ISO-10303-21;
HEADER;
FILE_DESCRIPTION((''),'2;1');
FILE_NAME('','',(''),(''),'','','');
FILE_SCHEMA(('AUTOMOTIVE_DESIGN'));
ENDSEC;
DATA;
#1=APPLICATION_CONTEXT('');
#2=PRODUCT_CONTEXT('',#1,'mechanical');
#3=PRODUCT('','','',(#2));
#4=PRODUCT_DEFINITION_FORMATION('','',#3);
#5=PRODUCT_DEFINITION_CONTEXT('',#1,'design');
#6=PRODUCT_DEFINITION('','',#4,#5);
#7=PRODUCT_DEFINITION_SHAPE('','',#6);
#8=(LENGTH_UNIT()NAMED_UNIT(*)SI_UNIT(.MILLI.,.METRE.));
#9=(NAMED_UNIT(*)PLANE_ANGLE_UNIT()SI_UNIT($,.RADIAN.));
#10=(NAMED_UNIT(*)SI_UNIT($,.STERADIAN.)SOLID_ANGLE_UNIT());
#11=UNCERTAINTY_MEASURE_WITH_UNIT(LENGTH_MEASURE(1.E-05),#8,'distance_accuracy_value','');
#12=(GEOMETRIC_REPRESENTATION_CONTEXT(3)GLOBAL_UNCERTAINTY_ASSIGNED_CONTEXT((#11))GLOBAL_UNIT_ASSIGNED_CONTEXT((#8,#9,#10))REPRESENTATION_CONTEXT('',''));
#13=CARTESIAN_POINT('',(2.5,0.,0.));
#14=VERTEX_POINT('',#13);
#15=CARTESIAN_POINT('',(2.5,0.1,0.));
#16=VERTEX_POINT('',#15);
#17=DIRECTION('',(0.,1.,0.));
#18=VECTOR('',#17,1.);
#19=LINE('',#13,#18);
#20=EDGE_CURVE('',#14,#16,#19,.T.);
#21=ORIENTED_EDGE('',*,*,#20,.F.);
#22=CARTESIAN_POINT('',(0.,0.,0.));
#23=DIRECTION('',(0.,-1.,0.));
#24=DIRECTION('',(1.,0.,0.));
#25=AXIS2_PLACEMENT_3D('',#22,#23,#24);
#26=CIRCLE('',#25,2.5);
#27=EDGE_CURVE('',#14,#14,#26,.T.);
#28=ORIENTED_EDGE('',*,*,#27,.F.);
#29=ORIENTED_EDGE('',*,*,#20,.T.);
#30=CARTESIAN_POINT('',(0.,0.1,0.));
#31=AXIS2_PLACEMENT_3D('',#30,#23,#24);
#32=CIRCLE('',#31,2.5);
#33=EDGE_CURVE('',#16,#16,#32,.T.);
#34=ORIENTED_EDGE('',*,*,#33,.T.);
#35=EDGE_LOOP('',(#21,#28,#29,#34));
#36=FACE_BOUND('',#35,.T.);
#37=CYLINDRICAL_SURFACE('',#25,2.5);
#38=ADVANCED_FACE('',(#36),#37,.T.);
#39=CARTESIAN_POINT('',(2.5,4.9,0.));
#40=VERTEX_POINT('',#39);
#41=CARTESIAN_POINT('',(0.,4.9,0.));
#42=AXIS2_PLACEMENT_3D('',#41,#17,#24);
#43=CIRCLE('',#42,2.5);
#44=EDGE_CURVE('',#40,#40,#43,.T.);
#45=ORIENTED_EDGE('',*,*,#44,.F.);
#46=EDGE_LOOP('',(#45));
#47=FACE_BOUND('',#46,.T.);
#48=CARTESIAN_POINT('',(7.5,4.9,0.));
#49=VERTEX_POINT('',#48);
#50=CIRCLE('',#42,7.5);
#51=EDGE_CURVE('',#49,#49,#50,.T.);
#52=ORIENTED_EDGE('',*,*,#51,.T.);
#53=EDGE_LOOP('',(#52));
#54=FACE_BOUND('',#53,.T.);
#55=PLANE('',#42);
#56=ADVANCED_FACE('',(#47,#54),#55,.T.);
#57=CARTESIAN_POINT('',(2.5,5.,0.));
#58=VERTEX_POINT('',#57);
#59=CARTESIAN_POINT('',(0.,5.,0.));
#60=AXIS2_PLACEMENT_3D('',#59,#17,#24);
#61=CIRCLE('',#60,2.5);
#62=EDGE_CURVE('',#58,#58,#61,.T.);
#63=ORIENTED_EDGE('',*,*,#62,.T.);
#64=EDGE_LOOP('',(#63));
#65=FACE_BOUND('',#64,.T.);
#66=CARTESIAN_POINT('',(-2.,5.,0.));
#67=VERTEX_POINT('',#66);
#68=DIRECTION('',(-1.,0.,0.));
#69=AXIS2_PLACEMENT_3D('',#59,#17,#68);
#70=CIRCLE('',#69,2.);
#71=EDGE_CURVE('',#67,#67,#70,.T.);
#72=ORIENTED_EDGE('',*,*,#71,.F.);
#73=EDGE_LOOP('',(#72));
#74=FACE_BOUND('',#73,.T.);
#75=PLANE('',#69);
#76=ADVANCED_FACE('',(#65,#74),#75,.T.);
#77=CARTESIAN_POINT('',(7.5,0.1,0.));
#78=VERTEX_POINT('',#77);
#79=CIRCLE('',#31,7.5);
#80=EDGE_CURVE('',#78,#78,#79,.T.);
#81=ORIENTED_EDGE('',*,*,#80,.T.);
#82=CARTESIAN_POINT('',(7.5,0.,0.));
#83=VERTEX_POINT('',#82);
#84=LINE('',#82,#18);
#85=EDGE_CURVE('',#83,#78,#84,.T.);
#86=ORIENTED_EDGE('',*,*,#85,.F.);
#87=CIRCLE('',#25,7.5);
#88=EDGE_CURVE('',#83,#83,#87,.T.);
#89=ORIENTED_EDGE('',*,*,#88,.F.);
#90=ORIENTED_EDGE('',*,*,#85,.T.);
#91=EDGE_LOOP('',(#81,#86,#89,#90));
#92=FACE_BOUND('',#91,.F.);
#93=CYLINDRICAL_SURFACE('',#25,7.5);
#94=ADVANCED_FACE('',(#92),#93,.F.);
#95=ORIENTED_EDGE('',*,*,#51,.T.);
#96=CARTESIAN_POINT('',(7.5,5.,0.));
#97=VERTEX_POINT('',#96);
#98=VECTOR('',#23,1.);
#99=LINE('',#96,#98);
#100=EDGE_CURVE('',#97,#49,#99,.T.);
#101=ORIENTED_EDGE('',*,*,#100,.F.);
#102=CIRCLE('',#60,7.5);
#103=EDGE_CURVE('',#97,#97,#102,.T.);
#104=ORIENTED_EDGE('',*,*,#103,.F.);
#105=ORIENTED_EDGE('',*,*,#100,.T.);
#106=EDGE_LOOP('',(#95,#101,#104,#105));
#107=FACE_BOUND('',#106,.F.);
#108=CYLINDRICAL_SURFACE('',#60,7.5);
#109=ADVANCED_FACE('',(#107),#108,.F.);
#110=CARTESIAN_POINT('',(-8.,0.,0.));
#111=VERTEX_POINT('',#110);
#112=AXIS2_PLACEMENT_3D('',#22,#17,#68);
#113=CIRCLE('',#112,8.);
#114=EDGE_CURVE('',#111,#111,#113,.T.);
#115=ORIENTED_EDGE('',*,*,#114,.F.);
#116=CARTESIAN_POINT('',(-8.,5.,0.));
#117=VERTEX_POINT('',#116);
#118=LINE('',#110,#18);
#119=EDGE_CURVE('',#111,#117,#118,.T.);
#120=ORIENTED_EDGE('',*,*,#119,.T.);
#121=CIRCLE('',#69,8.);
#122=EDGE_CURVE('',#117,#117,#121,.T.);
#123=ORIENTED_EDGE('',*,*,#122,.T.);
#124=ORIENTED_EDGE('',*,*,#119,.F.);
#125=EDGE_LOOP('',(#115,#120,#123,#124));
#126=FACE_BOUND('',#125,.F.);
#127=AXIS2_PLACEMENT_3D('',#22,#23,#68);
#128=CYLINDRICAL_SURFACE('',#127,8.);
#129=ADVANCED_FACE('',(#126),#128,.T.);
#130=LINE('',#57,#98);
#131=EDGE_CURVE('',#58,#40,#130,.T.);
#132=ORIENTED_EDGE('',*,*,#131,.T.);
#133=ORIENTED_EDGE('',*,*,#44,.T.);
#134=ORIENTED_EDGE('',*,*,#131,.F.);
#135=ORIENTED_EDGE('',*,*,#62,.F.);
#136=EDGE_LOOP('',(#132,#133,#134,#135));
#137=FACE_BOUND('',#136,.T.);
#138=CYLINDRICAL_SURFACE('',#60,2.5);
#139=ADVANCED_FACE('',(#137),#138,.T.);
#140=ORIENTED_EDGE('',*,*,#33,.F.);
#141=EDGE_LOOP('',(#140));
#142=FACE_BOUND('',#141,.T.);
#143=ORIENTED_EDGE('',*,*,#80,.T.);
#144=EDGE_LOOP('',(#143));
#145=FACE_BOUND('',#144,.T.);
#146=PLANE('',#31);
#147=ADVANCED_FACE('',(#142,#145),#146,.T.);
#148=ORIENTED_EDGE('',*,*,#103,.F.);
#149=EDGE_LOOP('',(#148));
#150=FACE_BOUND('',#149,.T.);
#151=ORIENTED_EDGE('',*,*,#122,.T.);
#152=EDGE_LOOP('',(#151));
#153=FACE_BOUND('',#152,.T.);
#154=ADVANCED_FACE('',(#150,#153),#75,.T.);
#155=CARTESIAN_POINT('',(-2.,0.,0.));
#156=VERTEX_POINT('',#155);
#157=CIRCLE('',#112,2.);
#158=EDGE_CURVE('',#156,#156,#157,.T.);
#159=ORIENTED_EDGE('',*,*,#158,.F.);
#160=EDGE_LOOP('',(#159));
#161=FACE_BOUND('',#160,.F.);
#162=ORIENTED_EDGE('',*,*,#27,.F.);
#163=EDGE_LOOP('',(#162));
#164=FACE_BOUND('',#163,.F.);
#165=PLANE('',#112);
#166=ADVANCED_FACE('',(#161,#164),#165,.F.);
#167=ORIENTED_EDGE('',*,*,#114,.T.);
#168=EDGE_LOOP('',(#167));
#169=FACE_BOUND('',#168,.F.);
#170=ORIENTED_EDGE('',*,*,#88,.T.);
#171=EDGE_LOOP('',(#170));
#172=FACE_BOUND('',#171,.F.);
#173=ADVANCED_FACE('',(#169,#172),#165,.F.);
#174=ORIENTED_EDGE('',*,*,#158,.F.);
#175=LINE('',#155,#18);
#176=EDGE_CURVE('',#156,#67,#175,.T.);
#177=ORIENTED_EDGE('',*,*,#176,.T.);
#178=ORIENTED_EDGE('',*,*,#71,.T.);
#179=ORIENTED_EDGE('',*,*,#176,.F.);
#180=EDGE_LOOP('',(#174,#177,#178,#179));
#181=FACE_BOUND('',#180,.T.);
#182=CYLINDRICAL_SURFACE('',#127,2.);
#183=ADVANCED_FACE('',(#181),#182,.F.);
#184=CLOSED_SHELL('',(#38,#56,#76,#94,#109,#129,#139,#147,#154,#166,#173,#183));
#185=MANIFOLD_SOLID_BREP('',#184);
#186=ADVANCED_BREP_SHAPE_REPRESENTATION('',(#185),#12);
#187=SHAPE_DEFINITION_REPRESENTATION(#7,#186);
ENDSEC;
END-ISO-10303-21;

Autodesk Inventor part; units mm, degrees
ref_plane "YZ Plane" through (0, 0, 0) normal (1, 0, 0) x (0, 1, 0)
ref_plane "XZ Plane" through (0, 0, 0) normal (0, 1, 0) x (-1, 0, 0)
ref_plane "XY Plane" through (0, 0, 0) normal (0, 0, 1) x (1, 0, 0)
sketch "スケッチ1" plane through (0, 0, 0) normal (0, 1, 0) x (-1, 0, 0)
  circle A0 centre (0, 0) radius 2
  circle A1 centre (0, 0) radius 8
  dimension "d0" = 4
  dimension "d1" = 16
extrude "押し出し1" add sketch "スケッチ1" along normal blind 5
sketch "スケッチ2" plane through (0, 5, 0) normal (0, 1, 0) x (1, 0, 0)
  circle A0 centre (0, 0) radius 2.5
  circle A1 centre (0, 0) radius 7.5
  dimension "d4" = 5
  dimension "d5" = 15
extrude "押し出し2" cut sketch "スケッチ2" against normal blind 0.1
sketch "スケッチ3" plane through (0, 0, 0) normal (0, -1, 0) x (1, 0, 0)
  circle A0 centre (0, 0) radius 2.5
  circle A1 centre (0, 0) radius 7.5
  dimension "d8" = 5
  dimension "d9" = 15
extrude "押し出し3" cut sketch "スケッチ3" against normal blind 0.1
properties part number "Bearing_634zz" material "鋼、炭素鋼"
